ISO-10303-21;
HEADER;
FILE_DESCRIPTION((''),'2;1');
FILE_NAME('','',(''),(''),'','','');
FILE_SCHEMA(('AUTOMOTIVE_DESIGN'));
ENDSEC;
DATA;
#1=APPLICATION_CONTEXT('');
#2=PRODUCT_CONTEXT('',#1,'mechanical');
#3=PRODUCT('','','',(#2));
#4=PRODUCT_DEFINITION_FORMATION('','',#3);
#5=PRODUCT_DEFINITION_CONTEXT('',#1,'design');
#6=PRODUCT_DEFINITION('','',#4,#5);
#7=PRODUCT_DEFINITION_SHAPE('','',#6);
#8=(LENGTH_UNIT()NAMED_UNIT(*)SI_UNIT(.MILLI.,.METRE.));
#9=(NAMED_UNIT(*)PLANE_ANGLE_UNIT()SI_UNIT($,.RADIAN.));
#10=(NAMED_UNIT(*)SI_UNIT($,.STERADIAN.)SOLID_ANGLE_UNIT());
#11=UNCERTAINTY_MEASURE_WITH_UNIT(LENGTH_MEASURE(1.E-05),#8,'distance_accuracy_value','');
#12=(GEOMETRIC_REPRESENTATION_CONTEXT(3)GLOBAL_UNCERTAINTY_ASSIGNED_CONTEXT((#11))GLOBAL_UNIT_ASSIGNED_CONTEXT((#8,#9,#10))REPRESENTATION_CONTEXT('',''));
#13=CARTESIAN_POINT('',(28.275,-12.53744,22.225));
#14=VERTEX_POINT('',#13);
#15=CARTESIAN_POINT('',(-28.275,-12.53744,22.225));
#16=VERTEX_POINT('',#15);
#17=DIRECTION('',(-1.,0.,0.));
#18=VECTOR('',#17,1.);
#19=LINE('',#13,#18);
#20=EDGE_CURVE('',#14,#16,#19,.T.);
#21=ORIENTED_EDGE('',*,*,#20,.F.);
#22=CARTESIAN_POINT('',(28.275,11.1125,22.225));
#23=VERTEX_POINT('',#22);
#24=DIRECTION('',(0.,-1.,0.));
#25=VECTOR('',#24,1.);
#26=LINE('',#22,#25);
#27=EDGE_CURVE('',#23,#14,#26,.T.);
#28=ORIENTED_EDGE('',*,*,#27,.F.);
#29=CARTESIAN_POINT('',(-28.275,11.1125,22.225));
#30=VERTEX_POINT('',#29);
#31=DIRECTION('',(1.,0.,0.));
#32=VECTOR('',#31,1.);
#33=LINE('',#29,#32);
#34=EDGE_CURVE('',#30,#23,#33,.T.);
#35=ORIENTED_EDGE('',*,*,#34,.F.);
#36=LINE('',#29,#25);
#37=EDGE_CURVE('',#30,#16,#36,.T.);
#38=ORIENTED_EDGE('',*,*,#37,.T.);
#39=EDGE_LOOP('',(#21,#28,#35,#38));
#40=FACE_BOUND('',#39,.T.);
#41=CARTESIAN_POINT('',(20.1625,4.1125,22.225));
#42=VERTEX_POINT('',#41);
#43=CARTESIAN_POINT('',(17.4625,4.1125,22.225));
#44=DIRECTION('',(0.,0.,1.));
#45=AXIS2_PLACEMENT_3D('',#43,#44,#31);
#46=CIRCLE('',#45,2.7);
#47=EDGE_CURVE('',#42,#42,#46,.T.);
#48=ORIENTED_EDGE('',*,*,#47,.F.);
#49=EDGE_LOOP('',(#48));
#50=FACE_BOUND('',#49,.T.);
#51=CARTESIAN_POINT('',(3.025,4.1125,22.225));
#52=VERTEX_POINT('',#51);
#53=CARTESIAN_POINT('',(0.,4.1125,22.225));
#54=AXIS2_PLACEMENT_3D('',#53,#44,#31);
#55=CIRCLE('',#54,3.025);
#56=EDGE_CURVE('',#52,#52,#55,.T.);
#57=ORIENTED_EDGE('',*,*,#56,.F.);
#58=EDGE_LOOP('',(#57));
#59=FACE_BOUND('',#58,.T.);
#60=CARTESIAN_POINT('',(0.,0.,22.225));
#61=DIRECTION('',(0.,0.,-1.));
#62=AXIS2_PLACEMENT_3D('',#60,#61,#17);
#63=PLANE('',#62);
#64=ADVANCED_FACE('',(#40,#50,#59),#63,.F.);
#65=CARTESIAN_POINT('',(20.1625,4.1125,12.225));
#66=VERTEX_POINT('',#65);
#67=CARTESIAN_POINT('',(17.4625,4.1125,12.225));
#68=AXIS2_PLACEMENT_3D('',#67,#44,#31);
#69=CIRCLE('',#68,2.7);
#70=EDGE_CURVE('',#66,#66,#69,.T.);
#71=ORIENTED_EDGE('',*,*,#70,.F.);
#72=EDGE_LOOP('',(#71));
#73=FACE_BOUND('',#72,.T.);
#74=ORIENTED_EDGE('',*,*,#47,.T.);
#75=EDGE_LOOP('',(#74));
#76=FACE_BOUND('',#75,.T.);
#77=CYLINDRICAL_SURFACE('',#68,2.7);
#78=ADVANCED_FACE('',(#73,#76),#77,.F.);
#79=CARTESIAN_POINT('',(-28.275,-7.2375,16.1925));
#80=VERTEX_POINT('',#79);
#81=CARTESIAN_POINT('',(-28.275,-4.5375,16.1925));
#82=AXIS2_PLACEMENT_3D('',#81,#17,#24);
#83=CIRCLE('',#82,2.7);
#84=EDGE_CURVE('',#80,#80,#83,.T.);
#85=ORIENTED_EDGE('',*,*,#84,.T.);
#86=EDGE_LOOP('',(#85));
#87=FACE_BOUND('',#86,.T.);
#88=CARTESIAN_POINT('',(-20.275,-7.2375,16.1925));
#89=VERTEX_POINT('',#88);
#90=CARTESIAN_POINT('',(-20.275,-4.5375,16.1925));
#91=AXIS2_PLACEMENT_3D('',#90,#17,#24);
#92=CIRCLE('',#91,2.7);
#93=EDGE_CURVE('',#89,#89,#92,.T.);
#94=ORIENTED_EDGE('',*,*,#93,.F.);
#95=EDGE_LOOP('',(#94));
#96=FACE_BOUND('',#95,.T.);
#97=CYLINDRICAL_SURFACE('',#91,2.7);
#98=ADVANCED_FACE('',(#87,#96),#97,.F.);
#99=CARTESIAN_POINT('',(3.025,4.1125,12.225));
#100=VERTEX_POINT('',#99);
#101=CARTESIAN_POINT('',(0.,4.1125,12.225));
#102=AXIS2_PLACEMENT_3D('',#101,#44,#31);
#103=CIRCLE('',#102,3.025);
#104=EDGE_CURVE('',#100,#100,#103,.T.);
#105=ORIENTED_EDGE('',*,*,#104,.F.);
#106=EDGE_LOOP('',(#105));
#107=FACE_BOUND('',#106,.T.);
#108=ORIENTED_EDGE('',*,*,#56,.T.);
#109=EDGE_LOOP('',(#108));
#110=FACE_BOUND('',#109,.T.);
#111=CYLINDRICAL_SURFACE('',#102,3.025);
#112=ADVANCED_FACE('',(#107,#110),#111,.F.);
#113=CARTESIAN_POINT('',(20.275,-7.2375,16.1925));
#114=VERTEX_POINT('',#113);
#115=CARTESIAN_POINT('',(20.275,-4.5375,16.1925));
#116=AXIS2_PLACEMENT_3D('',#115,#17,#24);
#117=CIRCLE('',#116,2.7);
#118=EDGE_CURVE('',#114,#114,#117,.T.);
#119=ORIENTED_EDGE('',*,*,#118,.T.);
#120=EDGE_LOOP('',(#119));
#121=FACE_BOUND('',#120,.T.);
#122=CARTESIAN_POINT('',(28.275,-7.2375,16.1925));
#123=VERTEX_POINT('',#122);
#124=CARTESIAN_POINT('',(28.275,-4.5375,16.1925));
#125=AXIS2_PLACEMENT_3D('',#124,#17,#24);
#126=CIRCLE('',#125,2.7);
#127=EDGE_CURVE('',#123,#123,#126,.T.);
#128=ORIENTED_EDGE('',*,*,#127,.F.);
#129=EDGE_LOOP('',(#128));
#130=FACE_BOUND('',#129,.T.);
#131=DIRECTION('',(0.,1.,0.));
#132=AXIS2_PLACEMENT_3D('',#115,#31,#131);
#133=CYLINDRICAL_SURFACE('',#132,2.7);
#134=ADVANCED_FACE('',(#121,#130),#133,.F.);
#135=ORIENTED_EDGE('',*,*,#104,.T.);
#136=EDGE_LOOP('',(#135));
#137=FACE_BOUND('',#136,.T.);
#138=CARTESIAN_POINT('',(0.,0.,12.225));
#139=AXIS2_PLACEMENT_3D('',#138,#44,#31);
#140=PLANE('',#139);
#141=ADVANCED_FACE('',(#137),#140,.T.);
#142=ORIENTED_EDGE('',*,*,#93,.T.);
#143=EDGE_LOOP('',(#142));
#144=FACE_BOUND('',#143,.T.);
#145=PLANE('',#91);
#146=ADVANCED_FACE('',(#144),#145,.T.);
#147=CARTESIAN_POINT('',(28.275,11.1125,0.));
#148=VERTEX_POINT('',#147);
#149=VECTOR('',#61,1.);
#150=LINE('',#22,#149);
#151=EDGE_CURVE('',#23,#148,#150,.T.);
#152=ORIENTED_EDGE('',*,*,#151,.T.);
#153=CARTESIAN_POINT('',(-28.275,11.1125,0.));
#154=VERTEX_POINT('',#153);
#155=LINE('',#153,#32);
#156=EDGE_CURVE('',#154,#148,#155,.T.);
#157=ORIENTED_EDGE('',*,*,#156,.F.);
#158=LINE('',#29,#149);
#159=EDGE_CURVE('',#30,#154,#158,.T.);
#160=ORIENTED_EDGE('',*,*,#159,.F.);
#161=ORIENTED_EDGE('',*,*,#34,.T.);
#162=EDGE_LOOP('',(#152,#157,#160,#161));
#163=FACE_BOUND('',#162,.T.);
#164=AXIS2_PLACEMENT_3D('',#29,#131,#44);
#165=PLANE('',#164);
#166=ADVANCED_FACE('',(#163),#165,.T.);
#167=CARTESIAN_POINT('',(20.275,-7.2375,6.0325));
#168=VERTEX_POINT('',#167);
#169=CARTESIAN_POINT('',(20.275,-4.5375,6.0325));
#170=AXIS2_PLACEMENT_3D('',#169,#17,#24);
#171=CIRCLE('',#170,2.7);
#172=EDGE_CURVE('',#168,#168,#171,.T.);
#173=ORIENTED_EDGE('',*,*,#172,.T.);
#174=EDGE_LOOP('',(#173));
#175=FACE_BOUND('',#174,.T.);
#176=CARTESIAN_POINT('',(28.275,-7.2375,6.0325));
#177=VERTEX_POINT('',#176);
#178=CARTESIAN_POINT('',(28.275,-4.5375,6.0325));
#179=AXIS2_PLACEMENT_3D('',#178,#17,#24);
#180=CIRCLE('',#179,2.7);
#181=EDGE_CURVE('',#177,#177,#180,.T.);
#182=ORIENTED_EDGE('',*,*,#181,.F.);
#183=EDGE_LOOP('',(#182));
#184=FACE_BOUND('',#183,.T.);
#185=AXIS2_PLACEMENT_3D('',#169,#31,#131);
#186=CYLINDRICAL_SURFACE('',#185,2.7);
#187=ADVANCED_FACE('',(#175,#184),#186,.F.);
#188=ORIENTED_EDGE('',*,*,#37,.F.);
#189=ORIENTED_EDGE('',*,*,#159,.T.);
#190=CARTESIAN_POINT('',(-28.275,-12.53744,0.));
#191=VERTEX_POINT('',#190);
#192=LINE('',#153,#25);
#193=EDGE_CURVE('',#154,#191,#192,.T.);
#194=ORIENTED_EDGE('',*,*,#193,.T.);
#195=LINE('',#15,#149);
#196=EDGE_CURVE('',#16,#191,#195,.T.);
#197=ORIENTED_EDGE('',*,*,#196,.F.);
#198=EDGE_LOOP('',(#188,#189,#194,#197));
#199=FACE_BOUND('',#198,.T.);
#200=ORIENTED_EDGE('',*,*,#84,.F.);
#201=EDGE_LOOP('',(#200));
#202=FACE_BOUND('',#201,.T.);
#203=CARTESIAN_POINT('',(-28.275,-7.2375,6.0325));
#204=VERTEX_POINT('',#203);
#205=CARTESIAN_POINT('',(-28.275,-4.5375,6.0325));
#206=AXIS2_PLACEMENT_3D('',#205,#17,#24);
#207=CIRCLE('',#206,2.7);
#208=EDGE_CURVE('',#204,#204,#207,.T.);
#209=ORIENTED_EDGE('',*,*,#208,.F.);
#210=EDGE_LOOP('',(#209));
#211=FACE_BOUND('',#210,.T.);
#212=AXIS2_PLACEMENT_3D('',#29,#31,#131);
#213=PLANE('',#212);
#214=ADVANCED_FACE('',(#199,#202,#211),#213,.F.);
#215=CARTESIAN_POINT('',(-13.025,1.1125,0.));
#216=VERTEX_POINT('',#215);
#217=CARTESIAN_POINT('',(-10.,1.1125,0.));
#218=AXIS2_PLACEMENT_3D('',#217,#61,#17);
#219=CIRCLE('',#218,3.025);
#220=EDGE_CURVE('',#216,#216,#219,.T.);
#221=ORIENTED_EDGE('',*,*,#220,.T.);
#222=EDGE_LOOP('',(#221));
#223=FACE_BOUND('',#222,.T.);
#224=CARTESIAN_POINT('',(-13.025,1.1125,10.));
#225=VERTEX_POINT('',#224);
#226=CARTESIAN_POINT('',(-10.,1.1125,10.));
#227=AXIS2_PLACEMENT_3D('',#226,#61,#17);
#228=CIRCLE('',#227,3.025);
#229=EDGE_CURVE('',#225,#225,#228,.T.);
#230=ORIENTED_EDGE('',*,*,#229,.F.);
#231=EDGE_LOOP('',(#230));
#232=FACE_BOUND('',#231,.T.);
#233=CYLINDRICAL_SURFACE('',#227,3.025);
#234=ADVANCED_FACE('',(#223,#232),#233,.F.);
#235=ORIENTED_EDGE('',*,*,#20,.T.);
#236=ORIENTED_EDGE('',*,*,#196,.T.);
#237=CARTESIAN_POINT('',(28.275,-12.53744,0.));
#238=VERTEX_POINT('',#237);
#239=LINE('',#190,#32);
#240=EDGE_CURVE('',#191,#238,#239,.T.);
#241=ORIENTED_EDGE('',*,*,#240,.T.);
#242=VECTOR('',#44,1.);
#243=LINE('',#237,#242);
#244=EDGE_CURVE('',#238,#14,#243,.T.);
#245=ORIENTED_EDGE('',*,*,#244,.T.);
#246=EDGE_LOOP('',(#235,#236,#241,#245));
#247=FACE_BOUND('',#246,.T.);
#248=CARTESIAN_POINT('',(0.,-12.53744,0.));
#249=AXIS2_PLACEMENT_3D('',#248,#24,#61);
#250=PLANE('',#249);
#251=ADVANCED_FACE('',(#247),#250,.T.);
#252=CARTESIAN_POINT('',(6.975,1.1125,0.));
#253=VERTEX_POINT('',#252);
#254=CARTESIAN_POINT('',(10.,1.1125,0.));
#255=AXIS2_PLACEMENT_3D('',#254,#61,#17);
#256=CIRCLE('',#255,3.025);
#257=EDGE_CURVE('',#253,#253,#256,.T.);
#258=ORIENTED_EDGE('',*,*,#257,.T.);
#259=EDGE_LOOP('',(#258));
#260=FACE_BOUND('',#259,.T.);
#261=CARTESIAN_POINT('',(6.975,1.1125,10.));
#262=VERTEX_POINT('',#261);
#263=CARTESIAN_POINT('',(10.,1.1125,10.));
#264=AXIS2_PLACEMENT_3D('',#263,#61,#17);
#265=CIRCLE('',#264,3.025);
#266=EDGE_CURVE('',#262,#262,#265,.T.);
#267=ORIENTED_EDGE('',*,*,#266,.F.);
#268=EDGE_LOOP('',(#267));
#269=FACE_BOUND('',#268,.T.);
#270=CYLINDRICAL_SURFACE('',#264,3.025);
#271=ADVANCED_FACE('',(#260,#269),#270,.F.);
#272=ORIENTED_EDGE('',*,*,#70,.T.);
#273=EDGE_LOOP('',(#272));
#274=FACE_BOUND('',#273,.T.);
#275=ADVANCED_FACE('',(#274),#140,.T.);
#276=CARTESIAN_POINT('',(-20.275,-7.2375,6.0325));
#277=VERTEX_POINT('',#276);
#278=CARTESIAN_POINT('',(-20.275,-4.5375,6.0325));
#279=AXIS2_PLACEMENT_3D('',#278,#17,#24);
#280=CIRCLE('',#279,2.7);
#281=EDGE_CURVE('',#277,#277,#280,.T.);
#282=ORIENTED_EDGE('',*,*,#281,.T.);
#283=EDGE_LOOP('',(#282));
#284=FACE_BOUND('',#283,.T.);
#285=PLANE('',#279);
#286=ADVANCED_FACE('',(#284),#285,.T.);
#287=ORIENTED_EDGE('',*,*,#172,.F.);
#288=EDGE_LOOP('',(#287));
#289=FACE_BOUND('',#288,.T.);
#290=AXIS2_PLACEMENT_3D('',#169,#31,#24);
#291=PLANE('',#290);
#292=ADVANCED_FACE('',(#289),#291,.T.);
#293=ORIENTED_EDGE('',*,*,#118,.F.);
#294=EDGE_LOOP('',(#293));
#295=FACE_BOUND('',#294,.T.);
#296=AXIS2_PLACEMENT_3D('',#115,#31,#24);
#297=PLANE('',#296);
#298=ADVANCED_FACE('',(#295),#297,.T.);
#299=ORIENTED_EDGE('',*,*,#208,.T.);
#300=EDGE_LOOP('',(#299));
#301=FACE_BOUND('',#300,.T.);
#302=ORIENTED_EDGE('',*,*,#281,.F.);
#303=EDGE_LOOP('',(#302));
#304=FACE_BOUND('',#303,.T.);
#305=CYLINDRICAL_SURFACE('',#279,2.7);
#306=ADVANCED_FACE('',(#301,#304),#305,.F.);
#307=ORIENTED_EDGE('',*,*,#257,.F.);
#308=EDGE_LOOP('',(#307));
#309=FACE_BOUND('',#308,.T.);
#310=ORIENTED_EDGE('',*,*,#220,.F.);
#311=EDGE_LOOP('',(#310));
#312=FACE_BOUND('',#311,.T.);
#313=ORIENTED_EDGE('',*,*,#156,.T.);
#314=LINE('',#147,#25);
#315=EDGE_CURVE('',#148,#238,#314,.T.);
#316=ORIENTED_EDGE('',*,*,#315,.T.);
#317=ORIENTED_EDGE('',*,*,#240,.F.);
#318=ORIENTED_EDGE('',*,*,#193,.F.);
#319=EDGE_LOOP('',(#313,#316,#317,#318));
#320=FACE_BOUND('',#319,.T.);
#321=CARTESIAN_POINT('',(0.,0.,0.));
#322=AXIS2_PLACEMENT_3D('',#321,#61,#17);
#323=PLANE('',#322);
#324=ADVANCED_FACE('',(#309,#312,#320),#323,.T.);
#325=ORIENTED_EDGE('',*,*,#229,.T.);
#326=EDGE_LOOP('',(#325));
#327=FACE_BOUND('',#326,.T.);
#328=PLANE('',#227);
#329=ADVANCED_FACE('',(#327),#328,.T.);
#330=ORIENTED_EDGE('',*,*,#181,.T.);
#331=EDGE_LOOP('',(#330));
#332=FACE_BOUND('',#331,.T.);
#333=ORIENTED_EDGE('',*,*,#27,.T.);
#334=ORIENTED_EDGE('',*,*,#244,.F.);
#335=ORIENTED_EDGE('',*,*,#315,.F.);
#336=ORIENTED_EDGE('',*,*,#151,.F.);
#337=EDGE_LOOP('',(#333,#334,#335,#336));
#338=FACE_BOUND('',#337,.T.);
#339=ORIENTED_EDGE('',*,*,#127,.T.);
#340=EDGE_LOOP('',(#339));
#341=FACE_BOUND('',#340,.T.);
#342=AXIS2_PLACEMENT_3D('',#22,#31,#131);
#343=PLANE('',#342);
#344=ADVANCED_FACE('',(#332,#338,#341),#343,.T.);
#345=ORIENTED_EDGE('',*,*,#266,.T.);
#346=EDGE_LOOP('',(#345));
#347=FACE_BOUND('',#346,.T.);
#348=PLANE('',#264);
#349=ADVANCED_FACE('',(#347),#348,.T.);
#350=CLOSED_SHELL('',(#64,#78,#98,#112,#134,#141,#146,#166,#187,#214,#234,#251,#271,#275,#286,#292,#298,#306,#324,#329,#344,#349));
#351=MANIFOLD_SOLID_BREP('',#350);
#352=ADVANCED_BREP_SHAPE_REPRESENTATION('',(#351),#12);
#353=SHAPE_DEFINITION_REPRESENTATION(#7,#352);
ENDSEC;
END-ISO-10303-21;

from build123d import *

# Parameters (mm, degrees)
SKETCH1_W           = 56.55
SKETCH1_H           = 22.225
BOSS_EXTRUDE1_DEPTH = 22.225
SKETCH2_R           = 2.7
SKETCH2_R_2         = 3.025
CUT_EXTRUDE1_DEPTH  = 10
SKETCH3_R           = 2.7
CUT_EXTRUDE2_DEPTH  = 8
SKETCH5_W           = 56.55
SKETCH5_H           = 22.225
BOSS_EXTRUDE2_DEPTH = 1.42494
SKETCH6_R           = 3.025
CUT_EXTRUDE3_DEPTH  = 10


with BuildPart() as part:
    # Sketch1 → Boss-Extrude1 (new body)
    with BuildSketch(Plane.XY):
        Rectangle(SKETCH1_W, SKETCH1_H)
    extrude(amount=BOSS_EXTRUDE1_DEPTH)

    # Sketch2 → Cut-Extrude1 (cut)
    with BuildSketch(Plane.XY.offset(22.225)):
        with Locations((17.4625, 4.1125)):
            Circle(SKETCH2_R)
        with Locations((0, 4.1125)):
            Circle(SKETCH2_R_2)
    extrude(amount=-CUT_EXTRUDE1_DEPTH, mode=Mode.SUBTRACT)

    # Sketch3 → Cut-Extrude2 (cut)
    with BuildSketch(Plane.ZY.offset(28.275)):
        with Locations(Location((16.1925, -4.5375001, 0), (0, 0, 270))):
            Circle(SKETCH3_R)
        with Locations(Location((6.0325, -4.5375001, 0), (0, 0, 270))):
            Circle(SKETCH3_R)
    cut_extrude2 = extrude(amount=-CUT_EXTRUDE2_DEPTH, mode=Mode.SUBTRACT)

    # Sketch5 → Boss-Extrude2 (add)
    with BuildSketch(Plane.XZ.offset(11.1125)):
        with Locations((0, 11.1125)):
            Rectangle(SKETCH5_W, SKETCH5_H)
    extrude(amount=BOSS_EXTRUDE2_DEPTH)

    # Mirror2: Cut-Extrude2 across plane
    add(cut_extrude2.mirror(Plane(origin=(0, 0, 0), x_dir=(0, 0, 1), z_dir=(1, 0, 0))), mode=Mode.SUBTRACT)

    # Sketch6 → Cut-Extrude3 (cut)
    with BuildSketch(Plane(origin=(0, 0, 0), x_dir=(-1, 0, 0), z_dir=(0, 0, -1))):
        with Locations((-10, 1.1125)):
            Circle(SKETCH6_R)
        with Locations((10, 1.1125)):
            Circle(SKETCH6_R)
    extrude(amount=-CUT_EXTRUDE3_DEPTH, mode=Mode.SUBTRACT)


solid = part.part
